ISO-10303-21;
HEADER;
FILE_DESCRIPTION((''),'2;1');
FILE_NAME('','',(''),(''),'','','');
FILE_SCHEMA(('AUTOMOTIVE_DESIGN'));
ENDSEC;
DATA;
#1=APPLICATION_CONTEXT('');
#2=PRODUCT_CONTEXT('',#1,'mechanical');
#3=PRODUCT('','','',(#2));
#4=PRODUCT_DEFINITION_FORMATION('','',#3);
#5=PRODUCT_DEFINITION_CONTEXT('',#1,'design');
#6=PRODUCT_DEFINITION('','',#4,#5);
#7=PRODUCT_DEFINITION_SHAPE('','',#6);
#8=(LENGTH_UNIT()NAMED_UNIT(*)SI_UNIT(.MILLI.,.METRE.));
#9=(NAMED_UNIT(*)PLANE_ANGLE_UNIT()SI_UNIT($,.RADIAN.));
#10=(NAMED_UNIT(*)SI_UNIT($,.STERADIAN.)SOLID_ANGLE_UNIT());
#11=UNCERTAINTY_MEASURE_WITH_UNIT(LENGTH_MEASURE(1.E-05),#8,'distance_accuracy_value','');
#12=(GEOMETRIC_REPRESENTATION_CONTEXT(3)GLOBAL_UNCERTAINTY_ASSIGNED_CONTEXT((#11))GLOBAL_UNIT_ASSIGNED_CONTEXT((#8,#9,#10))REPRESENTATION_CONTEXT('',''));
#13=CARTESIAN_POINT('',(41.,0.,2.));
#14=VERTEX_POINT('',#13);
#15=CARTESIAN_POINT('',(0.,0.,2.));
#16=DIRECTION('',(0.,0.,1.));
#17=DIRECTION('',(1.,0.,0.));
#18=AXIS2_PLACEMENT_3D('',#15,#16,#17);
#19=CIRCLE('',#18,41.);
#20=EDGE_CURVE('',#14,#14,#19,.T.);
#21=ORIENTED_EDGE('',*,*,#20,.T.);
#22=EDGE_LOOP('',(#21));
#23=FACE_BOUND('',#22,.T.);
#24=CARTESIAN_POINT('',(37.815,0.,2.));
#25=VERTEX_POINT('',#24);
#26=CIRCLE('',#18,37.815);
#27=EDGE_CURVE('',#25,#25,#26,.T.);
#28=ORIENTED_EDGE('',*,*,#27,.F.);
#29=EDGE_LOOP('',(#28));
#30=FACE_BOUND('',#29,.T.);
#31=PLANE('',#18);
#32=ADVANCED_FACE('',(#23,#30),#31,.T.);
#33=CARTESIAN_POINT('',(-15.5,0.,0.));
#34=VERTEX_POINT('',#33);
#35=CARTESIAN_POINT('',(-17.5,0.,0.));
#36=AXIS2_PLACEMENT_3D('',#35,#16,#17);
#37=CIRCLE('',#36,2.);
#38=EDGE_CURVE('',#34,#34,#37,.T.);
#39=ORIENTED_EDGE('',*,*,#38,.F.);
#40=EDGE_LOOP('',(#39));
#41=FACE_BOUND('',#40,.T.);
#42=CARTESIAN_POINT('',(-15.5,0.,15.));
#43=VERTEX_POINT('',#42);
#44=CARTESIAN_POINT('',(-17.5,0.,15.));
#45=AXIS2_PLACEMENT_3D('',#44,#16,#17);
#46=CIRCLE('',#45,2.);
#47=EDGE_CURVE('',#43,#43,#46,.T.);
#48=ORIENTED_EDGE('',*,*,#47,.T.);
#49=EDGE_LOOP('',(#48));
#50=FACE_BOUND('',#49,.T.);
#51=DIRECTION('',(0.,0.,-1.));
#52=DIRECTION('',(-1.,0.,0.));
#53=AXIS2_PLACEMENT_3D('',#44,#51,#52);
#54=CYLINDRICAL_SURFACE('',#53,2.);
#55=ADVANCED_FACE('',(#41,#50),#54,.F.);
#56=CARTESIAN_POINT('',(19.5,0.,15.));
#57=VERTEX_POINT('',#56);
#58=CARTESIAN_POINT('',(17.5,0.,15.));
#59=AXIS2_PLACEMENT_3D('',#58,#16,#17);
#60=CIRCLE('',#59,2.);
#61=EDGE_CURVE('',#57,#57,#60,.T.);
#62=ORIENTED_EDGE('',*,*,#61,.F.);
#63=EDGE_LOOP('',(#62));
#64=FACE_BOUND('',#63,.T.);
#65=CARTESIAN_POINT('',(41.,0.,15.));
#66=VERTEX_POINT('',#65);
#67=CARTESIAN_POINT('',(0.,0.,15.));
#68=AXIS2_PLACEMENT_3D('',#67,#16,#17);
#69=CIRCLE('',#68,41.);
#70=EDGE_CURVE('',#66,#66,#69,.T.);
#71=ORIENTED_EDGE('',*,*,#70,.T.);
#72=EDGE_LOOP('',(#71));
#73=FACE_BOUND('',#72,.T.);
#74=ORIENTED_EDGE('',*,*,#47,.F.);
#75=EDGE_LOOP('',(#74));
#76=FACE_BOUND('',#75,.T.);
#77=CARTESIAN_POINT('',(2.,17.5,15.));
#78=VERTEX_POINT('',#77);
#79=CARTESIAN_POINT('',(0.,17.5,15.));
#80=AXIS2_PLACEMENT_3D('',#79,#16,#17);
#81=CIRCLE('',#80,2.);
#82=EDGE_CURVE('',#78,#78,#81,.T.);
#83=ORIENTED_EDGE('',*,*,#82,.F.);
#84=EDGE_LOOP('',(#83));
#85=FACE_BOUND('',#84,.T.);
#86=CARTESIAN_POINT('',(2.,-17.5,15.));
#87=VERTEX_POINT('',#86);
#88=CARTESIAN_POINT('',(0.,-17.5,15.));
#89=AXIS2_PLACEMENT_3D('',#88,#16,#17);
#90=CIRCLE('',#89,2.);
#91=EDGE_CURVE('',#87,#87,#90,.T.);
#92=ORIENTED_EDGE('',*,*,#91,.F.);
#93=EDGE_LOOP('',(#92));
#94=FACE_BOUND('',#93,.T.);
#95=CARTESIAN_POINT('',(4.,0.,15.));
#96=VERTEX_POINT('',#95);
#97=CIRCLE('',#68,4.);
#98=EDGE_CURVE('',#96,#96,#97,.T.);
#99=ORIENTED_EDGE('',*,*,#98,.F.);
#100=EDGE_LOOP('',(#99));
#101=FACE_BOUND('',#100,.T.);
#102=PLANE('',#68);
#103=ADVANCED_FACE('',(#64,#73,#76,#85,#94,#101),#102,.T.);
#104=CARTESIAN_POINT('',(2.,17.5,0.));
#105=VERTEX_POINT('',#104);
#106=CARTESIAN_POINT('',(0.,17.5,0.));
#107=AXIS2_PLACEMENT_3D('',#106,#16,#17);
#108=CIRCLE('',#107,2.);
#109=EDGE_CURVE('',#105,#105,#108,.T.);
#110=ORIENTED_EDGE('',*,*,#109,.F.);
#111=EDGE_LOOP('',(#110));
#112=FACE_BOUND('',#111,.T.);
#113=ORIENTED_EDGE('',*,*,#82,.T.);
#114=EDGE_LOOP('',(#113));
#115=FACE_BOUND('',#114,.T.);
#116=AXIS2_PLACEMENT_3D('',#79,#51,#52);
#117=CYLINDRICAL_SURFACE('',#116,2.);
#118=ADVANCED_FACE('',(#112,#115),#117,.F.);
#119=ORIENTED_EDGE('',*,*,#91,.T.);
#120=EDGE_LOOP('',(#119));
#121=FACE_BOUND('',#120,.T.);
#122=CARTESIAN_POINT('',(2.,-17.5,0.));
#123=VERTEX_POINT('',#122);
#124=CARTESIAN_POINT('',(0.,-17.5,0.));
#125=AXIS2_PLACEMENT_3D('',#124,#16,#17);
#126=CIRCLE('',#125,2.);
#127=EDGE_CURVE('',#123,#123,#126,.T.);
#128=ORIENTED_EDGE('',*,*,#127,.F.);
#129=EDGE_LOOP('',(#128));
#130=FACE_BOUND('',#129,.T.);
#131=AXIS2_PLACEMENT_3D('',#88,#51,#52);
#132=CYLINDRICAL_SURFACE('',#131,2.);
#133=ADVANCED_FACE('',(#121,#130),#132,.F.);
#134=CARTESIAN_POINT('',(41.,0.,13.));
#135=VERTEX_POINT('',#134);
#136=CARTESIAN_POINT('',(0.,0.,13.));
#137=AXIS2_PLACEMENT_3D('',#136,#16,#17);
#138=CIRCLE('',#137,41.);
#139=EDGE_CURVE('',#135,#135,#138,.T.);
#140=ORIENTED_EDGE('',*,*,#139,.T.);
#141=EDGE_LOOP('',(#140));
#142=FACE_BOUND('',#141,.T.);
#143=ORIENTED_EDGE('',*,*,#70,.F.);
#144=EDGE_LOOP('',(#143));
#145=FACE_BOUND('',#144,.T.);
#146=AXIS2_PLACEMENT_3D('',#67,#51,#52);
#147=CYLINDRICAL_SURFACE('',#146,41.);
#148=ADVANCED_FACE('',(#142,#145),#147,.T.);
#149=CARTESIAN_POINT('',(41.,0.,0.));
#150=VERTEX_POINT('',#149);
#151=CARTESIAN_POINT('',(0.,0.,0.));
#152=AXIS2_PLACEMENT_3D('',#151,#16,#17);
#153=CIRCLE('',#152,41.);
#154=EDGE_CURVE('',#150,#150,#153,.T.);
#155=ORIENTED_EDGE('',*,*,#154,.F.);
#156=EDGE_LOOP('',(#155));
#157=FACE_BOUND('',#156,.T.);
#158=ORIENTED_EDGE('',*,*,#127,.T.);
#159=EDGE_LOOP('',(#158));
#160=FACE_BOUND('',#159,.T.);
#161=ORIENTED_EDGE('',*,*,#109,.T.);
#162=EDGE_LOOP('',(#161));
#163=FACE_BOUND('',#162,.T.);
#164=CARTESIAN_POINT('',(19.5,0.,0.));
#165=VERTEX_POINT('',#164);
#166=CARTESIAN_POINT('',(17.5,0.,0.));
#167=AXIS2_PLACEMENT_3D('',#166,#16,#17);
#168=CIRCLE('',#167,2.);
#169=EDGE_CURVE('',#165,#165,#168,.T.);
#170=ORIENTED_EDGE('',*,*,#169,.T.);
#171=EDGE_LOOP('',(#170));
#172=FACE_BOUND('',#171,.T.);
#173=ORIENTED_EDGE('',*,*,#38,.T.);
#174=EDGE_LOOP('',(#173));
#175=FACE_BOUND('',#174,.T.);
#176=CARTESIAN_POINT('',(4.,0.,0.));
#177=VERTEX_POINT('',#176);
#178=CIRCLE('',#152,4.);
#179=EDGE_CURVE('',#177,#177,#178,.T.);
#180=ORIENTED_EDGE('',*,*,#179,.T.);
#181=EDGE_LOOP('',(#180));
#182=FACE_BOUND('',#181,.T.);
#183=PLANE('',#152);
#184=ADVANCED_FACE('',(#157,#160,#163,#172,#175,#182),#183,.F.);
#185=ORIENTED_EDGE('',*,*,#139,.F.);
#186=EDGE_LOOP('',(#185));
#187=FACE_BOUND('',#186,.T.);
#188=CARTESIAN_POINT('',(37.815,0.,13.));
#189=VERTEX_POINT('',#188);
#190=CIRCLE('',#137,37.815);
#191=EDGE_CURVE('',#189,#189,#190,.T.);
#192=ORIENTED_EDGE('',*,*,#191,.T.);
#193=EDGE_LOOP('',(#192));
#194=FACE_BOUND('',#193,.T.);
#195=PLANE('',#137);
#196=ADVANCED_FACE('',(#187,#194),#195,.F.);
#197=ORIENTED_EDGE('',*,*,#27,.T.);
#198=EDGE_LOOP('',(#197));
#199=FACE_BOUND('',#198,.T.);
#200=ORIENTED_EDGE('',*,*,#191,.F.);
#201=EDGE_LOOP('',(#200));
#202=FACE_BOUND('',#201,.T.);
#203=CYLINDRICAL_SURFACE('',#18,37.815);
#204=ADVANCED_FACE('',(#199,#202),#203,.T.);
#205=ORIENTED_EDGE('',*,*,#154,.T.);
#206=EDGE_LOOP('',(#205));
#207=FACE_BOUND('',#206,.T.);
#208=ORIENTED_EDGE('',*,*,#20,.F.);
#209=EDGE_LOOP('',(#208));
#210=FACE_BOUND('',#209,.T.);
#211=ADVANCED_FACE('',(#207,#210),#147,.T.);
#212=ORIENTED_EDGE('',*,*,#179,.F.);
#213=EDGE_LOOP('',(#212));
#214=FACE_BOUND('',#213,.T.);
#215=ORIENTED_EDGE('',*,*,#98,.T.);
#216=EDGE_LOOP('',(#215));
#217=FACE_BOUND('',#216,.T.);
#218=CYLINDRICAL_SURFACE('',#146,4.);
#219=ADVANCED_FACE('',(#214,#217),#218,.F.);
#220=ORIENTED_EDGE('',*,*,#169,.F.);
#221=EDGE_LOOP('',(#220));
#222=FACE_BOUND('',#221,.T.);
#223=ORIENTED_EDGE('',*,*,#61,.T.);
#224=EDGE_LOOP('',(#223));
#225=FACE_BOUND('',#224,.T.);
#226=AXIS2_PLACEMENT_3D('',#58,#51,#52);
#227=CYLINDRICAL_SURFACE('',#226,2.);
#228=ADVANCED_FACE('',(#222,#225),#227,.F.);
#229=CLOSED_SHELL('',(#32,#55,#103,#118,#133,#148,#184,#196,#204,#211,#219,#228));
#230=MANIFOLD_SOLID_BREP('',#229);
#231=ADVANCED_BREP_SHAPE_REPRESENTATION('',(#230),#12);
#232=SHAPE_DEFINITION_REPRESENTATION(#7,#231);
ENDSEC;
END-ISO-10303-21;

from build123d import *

# Parameters (mm, degrees)
SKETCH_1_R          = 41
SKETCH_1_R_2        = 4
SKETCH_1_R_3        = 2
EXTRUDE_1_DEPTH     = 15
CUT_EXTRUDE_START   = -13
SKETCH_3_R          = 41
SKETCH_3_R_2        = 37.815
CUT_EXTRUDE_1_DEPTH = 11


with BuildPart() as part:
    # 草图1 → 凸台-拉伸1 (new body)
    with BuildSketch(Plane.XY):
        Circle(SKETCH_1_R)
        Circle(SKETCH_1_R_2, mode=Mode.SUBTRACT)
        with Locations((-17.5, 0)):
            Circle(SKETCH_1_R_3, mode=Mode.SUBTRACT)
        with Locations((0, 17.5)):
            Circle(SKETCH_1_R_3, mode=Mode.SUBTRACT)
        with Locations((17.5, 0)):
            Circle(SKETCH_1_R_3, mode=Mode.SUBTRACT)
        with Locations((0, -17.5)):
            Circle(SKETCH_1_R_3, mode=Mode.SUBTRACT)
    extrude(amount=EXTRUDE_1_DEPTH)

    # 草图3 → 切除-拉伸1 (cut)
    with BuildSketch(Plane.XY.offset(15).offset(CUT_EXTRUDE_START)):
        Circle(SKETCH_3_R)
        Circle(SKETCH_3_R_2, mode=Mode.SUBTRACT)
    extrude(amount=CUT_EXTRUDE_1_DEPTH, mode=Mode.SUBTRACT)


solid = part.part
